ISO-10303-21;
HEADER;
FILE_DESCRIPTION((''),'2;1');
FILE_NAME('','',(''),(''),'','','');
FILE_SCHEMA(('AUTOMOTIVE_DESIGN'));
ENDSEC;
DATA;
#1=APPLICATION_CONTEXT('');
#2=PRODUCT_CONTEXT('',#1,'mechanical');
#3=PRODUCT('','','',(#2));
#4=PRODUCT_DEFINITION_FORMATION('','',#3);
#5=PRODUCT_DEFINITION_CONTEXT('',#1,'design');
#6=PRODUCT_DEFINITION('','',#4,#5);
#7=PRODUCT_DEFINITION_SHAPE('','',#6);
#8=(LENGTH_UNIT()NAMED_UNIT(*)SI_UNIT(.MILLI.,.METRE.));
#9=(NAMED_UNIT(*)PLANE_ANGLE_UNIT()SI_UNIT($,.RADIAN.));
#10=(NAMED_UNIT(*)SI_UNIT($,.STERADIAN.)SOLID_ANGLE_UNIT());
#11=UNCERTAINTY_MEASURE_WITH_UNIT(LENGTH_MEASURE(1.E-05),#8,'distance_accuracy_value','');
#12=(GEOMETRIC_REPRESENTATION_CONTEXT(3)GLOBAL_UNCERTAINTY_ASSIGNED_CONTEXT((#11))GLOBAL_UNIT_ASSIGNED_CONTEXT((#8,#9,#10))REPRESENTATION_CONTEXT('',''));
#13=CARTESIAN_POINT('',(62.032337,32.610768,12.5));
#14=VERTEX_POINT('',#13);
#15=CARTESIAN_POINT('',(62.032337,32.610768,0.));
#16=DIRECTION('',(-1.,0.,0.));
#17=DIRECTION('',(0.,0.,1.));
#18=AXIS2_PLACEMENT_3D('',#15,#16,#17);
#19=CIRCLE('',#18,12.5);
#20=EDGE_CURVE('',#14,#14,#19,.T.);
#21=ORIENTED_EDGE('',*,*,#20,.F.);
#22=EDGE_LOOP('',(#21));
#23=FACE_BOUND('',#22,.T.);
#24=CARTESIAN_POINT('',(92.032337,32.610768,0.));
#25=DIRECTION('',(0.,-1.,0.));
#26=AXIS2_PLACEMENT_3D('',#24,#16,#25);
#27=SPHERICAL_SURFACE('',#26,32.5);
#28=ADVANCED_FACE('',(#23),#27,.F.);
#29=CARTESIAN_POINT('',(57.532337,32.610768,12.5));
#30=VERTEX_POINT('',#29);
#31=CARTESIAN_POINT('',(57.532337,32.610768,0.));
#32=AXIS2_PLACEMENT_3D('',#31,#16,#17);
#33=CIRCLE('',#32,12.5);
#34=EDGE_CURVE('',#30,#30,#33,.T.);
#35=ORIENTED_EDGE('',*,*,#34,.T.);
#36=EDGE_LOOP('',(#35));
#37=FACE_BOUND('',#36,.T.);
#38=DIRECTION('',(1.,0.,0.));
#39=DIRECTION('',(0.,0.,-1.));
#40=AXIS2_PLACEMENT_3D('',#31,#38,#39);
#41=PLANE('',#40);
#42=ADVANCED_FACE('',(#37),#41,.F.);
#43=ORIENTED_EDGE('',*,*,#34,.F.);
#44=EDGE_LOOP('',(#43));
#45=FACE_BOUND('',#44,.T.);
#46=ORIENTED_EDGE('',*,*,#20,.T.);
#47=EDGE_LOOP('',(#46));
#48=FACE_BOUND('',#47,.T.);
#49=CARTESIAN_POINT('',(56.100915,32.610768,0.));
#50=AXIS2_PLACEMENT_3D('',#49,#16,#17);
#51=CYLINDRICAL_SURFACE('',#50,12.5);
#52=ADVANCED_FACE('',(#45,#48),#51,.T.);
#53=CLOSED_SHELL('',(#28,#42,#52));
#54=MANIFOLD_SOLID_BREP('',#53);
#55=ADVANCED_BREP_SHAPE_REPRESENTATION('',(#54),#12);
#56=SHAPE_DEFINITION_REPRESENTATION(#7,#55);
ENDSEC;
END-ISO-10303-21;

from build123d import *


with BuildPart() as part:
    # 草图1 → 旋转1 (revolve)
    with BuildSketch(Plane.XY, mode=Mode.PRIVATE) as revolve_1_sk:
        with BuildLine():
            Line((57.532337053, 32.610768129), (57.532337053, 45.110768129))
            Line((57.532337053, 45.110768129), (62.032337053, 45.110768129))
            ThreePointArc((62.032337053, 45.110768129), (60.163465093, 38.984542521), (59.532337053, 32.610768129))
            Line((59.532337053, 32.610768129), (57.532337053, 32.610768129))
        make_face()
    revolve(revolve_1_sk.sketch.rotate(Axis((56.10091508, 32.610768129, 0), (1, 0, 0)), 180), axis=Axis((56.10091508, 32.610768129, 0), (1, 0, 0)))  # turned: the seam where the file's is


solid = part.part
